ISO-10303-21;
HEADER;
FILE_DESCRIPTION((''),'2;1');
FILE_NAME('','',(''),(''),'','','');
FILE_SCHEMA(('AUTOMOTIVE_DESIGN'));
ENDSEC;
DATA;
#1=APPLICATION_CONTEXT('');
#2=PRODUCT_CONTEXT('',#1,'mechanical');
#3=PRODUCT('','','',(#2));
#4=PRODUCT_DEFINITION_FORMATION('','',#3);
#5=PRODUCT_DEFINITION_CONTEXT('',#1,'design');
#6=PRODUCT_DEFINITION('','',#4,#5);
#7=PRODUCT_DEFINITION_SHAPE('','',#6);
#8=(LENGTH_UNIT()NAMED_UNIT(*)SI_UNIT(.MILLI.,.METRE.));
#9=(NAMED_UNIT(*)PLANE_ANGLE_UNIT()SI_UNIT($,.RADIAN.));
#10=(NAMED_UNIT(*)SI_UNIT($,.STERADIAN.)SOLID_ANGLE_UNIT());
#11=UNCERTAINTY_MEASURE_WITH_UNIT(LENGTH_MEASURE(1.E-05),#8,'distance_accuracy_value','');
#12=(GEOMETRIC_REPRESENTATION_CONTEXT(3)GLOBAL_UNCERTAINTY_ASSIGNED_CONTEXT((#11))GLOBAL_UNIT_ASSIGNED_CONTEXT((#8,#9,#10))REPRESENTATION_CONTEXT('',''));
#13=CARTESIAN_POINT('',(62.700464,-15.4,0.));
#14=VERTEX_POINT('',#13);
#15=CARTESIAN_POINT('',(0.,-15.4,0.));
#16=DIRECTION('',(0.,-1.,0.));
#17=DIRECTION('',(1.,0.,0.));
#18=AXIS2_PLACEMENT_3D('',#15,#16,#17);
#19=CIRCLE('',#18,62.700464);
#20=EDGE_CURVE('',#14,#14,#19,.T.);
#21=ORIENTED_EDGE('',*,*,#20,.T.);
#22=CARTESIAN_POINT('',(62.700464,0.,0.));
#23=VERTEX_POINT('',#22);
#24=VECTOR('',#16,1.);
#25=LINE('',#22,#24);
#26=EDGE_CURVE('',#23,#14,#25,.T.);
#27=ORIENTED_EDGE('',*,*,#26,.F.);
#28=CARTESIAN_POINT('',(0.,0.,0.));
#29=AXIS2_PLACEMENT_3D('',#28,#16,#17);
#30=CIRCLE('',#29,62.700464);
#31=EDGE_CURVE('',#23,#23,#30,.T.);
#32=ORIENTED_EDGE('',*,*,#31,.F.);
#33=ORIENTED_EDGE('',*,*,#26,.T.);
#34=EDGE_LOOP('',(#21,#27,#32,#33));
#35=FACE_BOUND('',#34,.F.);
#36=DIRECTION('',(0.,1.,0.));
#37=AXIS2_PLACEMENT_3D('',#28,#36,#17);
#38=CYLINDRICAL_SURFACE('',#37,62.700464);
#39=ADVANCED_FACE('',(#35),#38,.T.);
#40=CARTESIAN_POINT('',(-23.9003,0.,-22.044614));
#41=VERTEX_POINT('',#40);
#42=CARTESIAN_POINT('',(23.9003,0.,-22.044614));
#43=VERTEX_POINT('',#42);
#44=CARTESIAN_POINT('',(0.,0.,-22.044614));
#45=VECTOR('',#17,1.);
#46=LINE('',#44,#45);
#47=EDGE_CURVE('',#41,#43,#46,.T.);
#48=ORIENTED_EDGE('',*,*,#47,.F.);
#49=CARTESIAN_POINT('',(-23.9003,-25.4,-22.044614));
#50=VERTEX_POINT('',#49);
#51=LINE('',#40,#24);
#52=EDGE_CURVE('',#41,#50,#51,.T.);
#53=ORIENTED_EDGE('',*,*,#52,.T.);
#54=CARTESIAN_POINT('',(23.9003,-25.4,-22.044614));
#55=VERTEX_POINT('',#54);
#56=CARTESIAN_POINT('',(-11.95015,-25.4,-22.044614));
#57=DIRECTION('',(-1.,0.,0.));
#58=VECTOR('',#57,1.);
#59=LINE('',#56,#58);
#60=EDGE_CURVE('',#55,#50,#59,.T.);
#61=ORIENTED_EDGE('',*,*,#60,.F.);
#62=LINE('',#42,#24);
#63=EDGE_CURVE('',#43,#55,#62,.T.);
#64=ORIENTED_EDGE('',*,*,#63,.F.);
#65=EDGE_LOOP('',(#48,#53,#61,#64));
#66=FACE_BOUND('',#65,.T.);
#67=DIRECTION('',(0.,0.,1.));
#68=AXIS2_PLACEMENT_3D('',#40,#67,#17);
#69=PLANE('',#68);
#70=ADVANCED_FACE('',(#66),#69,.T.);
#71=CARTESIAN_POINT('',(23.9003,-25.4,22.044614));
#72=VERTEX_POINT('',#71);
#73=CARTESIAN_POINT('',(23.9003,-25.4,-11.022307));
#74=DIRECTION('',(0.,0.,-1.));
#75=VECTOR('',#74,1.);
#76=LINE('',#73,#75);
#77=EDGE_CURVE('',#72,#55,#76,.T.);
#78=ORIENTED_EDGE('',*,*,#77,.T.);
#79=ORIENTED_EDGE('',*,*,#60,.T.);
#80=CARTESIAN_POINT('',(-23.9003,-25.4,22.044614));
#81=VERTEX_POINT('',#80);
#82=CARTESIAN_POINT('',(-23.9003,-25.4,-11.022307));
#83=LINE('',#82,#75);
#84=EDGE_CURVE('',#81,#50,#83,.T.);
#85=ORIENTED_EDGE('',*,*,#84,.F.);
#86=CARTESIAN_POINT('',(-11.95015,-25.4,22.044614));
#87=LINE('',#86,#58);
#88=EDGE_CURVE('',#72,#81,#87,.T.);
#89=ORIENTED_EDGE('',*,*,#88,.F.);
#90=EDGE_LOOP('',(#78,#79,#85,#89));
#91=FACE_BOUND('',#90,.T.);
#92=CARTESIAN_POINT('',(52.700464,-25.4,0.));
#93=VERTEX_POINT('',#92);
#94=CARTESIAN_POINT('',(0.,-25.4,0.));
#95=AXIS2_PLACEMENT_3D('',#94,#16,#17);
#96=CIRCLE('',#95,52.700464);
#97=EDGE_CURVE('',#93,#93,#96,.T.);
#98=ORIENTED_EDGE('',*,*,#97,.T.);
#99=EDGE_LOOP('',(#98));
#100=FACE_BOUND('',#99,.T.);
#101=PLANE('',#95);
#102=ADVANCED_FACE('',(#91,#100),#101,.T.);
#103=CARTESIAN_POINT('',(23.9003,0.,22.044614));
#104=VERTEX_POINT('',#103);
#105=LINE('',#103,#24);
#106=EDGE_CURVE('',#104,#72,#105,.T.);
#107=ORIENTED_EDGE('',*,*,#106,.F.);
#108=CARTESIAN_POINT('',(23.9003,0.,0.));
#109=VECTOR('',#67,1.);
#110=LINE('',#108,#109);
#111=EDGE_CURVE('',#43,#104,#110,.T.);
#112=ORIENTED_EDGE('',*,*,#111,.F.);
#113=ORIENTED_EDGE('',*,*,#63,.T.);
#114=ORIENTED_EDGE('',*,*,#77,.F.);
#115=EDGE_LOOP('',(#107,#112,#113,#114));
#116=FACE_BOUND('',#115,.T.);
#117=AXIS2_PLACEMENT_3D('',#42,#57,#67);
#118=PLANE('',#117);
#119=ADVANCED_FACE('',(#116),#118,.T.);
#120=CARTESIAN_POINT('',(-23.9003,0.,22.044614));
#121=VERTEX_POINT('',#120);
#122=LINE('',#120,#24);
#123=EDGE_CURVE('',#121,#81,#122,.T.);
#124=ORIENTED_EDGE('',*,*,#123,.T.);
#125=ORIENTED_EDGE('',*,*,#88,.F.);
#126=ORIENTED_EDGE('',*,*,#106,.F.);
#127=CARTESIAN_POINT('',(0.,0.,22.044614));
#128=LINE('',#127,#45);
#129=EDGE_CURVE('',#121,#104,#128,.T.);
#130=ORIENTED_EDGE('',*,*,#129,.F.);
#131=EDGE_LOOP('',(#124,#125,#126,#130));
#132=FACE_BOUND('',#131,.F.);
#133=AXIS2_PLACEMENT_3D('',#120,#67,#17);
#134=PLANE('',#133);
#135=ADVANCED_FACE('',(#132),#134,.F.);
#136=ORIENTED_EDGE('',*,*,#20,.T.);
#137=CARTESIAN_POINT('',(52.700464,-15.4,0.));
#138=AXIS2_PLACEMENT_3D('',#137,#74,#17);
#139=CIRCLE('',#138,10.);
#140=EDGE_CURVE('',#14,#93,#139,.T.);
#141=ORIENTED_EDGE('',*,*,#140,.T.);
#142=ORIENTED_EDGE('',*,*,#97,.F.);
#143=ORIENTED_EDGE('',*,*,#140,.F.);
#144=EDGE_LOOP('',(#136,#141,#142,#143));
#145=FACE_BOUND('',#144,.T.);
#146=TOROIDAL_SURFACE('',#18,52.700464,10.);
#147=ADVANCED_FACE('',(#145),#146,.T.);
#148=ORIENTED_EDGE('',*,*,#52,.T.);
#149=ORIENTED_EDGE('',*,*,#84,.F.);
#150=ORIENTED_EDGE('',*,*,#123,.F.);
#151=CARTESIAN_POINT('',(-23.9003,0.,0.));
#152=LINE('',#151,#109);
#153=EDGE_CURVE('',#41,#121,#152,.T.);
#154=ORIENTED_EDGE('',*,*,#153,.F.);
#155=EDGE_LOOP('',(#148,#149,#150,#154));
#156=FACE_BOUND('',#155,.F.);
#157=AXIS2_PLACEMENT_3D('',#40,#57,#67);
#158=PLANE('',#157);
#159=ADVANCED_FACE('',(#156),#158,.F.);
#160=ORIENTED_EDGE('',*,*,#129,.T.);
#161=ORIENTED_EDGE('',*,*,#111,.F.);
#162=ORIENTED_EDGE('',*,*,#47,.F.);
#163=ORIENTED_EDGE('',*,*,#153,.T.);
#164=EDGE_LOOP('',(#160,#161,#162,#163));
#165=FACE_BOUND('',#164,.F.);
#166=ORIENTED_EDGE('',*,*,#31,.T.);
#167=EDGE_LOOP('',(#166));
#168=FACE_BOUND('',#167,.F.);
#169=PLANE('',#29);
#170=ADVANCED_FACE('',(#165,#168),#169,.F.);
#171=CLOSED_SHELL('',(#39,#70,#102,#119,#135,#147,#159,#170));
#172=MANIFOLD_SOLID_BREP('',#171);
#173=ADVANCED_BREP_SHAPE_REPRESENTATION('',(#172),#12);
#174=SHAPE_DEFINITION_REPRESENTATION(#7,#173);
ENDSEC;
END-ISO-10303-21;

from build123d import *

# Parameters (mm, degrees)
F0_R     = 62.700464
F2_DEPTH = 25.4
F1_W     = 47.8006
F1_H     = 44.089228
F3_DEPTH = 30
F4_R     = 10


with BuildPart() as f2:
    # F0 (on Front) → F2 (new body)
    with BuildSketch(Plane.XZ):
        Circle(F0_R)
    extrude(amount=F2_DEPTH)

    # F1 (on Front) → F3 (cut)
    with BuildSketch(Plane.XZ):
        Rectangle(F1_W, F1_H)
    extrude(amount=F3_DEPTH, mode=Mode.SUBTRACT)

    # F4
    f4_edges = [f2.edges().sort_by_distance(p)[0] for p in [
        (-62.700464, -25.4, 0),
    ]]
    fillet(f4_edges, radius=F4_R)


solid = f2.part
